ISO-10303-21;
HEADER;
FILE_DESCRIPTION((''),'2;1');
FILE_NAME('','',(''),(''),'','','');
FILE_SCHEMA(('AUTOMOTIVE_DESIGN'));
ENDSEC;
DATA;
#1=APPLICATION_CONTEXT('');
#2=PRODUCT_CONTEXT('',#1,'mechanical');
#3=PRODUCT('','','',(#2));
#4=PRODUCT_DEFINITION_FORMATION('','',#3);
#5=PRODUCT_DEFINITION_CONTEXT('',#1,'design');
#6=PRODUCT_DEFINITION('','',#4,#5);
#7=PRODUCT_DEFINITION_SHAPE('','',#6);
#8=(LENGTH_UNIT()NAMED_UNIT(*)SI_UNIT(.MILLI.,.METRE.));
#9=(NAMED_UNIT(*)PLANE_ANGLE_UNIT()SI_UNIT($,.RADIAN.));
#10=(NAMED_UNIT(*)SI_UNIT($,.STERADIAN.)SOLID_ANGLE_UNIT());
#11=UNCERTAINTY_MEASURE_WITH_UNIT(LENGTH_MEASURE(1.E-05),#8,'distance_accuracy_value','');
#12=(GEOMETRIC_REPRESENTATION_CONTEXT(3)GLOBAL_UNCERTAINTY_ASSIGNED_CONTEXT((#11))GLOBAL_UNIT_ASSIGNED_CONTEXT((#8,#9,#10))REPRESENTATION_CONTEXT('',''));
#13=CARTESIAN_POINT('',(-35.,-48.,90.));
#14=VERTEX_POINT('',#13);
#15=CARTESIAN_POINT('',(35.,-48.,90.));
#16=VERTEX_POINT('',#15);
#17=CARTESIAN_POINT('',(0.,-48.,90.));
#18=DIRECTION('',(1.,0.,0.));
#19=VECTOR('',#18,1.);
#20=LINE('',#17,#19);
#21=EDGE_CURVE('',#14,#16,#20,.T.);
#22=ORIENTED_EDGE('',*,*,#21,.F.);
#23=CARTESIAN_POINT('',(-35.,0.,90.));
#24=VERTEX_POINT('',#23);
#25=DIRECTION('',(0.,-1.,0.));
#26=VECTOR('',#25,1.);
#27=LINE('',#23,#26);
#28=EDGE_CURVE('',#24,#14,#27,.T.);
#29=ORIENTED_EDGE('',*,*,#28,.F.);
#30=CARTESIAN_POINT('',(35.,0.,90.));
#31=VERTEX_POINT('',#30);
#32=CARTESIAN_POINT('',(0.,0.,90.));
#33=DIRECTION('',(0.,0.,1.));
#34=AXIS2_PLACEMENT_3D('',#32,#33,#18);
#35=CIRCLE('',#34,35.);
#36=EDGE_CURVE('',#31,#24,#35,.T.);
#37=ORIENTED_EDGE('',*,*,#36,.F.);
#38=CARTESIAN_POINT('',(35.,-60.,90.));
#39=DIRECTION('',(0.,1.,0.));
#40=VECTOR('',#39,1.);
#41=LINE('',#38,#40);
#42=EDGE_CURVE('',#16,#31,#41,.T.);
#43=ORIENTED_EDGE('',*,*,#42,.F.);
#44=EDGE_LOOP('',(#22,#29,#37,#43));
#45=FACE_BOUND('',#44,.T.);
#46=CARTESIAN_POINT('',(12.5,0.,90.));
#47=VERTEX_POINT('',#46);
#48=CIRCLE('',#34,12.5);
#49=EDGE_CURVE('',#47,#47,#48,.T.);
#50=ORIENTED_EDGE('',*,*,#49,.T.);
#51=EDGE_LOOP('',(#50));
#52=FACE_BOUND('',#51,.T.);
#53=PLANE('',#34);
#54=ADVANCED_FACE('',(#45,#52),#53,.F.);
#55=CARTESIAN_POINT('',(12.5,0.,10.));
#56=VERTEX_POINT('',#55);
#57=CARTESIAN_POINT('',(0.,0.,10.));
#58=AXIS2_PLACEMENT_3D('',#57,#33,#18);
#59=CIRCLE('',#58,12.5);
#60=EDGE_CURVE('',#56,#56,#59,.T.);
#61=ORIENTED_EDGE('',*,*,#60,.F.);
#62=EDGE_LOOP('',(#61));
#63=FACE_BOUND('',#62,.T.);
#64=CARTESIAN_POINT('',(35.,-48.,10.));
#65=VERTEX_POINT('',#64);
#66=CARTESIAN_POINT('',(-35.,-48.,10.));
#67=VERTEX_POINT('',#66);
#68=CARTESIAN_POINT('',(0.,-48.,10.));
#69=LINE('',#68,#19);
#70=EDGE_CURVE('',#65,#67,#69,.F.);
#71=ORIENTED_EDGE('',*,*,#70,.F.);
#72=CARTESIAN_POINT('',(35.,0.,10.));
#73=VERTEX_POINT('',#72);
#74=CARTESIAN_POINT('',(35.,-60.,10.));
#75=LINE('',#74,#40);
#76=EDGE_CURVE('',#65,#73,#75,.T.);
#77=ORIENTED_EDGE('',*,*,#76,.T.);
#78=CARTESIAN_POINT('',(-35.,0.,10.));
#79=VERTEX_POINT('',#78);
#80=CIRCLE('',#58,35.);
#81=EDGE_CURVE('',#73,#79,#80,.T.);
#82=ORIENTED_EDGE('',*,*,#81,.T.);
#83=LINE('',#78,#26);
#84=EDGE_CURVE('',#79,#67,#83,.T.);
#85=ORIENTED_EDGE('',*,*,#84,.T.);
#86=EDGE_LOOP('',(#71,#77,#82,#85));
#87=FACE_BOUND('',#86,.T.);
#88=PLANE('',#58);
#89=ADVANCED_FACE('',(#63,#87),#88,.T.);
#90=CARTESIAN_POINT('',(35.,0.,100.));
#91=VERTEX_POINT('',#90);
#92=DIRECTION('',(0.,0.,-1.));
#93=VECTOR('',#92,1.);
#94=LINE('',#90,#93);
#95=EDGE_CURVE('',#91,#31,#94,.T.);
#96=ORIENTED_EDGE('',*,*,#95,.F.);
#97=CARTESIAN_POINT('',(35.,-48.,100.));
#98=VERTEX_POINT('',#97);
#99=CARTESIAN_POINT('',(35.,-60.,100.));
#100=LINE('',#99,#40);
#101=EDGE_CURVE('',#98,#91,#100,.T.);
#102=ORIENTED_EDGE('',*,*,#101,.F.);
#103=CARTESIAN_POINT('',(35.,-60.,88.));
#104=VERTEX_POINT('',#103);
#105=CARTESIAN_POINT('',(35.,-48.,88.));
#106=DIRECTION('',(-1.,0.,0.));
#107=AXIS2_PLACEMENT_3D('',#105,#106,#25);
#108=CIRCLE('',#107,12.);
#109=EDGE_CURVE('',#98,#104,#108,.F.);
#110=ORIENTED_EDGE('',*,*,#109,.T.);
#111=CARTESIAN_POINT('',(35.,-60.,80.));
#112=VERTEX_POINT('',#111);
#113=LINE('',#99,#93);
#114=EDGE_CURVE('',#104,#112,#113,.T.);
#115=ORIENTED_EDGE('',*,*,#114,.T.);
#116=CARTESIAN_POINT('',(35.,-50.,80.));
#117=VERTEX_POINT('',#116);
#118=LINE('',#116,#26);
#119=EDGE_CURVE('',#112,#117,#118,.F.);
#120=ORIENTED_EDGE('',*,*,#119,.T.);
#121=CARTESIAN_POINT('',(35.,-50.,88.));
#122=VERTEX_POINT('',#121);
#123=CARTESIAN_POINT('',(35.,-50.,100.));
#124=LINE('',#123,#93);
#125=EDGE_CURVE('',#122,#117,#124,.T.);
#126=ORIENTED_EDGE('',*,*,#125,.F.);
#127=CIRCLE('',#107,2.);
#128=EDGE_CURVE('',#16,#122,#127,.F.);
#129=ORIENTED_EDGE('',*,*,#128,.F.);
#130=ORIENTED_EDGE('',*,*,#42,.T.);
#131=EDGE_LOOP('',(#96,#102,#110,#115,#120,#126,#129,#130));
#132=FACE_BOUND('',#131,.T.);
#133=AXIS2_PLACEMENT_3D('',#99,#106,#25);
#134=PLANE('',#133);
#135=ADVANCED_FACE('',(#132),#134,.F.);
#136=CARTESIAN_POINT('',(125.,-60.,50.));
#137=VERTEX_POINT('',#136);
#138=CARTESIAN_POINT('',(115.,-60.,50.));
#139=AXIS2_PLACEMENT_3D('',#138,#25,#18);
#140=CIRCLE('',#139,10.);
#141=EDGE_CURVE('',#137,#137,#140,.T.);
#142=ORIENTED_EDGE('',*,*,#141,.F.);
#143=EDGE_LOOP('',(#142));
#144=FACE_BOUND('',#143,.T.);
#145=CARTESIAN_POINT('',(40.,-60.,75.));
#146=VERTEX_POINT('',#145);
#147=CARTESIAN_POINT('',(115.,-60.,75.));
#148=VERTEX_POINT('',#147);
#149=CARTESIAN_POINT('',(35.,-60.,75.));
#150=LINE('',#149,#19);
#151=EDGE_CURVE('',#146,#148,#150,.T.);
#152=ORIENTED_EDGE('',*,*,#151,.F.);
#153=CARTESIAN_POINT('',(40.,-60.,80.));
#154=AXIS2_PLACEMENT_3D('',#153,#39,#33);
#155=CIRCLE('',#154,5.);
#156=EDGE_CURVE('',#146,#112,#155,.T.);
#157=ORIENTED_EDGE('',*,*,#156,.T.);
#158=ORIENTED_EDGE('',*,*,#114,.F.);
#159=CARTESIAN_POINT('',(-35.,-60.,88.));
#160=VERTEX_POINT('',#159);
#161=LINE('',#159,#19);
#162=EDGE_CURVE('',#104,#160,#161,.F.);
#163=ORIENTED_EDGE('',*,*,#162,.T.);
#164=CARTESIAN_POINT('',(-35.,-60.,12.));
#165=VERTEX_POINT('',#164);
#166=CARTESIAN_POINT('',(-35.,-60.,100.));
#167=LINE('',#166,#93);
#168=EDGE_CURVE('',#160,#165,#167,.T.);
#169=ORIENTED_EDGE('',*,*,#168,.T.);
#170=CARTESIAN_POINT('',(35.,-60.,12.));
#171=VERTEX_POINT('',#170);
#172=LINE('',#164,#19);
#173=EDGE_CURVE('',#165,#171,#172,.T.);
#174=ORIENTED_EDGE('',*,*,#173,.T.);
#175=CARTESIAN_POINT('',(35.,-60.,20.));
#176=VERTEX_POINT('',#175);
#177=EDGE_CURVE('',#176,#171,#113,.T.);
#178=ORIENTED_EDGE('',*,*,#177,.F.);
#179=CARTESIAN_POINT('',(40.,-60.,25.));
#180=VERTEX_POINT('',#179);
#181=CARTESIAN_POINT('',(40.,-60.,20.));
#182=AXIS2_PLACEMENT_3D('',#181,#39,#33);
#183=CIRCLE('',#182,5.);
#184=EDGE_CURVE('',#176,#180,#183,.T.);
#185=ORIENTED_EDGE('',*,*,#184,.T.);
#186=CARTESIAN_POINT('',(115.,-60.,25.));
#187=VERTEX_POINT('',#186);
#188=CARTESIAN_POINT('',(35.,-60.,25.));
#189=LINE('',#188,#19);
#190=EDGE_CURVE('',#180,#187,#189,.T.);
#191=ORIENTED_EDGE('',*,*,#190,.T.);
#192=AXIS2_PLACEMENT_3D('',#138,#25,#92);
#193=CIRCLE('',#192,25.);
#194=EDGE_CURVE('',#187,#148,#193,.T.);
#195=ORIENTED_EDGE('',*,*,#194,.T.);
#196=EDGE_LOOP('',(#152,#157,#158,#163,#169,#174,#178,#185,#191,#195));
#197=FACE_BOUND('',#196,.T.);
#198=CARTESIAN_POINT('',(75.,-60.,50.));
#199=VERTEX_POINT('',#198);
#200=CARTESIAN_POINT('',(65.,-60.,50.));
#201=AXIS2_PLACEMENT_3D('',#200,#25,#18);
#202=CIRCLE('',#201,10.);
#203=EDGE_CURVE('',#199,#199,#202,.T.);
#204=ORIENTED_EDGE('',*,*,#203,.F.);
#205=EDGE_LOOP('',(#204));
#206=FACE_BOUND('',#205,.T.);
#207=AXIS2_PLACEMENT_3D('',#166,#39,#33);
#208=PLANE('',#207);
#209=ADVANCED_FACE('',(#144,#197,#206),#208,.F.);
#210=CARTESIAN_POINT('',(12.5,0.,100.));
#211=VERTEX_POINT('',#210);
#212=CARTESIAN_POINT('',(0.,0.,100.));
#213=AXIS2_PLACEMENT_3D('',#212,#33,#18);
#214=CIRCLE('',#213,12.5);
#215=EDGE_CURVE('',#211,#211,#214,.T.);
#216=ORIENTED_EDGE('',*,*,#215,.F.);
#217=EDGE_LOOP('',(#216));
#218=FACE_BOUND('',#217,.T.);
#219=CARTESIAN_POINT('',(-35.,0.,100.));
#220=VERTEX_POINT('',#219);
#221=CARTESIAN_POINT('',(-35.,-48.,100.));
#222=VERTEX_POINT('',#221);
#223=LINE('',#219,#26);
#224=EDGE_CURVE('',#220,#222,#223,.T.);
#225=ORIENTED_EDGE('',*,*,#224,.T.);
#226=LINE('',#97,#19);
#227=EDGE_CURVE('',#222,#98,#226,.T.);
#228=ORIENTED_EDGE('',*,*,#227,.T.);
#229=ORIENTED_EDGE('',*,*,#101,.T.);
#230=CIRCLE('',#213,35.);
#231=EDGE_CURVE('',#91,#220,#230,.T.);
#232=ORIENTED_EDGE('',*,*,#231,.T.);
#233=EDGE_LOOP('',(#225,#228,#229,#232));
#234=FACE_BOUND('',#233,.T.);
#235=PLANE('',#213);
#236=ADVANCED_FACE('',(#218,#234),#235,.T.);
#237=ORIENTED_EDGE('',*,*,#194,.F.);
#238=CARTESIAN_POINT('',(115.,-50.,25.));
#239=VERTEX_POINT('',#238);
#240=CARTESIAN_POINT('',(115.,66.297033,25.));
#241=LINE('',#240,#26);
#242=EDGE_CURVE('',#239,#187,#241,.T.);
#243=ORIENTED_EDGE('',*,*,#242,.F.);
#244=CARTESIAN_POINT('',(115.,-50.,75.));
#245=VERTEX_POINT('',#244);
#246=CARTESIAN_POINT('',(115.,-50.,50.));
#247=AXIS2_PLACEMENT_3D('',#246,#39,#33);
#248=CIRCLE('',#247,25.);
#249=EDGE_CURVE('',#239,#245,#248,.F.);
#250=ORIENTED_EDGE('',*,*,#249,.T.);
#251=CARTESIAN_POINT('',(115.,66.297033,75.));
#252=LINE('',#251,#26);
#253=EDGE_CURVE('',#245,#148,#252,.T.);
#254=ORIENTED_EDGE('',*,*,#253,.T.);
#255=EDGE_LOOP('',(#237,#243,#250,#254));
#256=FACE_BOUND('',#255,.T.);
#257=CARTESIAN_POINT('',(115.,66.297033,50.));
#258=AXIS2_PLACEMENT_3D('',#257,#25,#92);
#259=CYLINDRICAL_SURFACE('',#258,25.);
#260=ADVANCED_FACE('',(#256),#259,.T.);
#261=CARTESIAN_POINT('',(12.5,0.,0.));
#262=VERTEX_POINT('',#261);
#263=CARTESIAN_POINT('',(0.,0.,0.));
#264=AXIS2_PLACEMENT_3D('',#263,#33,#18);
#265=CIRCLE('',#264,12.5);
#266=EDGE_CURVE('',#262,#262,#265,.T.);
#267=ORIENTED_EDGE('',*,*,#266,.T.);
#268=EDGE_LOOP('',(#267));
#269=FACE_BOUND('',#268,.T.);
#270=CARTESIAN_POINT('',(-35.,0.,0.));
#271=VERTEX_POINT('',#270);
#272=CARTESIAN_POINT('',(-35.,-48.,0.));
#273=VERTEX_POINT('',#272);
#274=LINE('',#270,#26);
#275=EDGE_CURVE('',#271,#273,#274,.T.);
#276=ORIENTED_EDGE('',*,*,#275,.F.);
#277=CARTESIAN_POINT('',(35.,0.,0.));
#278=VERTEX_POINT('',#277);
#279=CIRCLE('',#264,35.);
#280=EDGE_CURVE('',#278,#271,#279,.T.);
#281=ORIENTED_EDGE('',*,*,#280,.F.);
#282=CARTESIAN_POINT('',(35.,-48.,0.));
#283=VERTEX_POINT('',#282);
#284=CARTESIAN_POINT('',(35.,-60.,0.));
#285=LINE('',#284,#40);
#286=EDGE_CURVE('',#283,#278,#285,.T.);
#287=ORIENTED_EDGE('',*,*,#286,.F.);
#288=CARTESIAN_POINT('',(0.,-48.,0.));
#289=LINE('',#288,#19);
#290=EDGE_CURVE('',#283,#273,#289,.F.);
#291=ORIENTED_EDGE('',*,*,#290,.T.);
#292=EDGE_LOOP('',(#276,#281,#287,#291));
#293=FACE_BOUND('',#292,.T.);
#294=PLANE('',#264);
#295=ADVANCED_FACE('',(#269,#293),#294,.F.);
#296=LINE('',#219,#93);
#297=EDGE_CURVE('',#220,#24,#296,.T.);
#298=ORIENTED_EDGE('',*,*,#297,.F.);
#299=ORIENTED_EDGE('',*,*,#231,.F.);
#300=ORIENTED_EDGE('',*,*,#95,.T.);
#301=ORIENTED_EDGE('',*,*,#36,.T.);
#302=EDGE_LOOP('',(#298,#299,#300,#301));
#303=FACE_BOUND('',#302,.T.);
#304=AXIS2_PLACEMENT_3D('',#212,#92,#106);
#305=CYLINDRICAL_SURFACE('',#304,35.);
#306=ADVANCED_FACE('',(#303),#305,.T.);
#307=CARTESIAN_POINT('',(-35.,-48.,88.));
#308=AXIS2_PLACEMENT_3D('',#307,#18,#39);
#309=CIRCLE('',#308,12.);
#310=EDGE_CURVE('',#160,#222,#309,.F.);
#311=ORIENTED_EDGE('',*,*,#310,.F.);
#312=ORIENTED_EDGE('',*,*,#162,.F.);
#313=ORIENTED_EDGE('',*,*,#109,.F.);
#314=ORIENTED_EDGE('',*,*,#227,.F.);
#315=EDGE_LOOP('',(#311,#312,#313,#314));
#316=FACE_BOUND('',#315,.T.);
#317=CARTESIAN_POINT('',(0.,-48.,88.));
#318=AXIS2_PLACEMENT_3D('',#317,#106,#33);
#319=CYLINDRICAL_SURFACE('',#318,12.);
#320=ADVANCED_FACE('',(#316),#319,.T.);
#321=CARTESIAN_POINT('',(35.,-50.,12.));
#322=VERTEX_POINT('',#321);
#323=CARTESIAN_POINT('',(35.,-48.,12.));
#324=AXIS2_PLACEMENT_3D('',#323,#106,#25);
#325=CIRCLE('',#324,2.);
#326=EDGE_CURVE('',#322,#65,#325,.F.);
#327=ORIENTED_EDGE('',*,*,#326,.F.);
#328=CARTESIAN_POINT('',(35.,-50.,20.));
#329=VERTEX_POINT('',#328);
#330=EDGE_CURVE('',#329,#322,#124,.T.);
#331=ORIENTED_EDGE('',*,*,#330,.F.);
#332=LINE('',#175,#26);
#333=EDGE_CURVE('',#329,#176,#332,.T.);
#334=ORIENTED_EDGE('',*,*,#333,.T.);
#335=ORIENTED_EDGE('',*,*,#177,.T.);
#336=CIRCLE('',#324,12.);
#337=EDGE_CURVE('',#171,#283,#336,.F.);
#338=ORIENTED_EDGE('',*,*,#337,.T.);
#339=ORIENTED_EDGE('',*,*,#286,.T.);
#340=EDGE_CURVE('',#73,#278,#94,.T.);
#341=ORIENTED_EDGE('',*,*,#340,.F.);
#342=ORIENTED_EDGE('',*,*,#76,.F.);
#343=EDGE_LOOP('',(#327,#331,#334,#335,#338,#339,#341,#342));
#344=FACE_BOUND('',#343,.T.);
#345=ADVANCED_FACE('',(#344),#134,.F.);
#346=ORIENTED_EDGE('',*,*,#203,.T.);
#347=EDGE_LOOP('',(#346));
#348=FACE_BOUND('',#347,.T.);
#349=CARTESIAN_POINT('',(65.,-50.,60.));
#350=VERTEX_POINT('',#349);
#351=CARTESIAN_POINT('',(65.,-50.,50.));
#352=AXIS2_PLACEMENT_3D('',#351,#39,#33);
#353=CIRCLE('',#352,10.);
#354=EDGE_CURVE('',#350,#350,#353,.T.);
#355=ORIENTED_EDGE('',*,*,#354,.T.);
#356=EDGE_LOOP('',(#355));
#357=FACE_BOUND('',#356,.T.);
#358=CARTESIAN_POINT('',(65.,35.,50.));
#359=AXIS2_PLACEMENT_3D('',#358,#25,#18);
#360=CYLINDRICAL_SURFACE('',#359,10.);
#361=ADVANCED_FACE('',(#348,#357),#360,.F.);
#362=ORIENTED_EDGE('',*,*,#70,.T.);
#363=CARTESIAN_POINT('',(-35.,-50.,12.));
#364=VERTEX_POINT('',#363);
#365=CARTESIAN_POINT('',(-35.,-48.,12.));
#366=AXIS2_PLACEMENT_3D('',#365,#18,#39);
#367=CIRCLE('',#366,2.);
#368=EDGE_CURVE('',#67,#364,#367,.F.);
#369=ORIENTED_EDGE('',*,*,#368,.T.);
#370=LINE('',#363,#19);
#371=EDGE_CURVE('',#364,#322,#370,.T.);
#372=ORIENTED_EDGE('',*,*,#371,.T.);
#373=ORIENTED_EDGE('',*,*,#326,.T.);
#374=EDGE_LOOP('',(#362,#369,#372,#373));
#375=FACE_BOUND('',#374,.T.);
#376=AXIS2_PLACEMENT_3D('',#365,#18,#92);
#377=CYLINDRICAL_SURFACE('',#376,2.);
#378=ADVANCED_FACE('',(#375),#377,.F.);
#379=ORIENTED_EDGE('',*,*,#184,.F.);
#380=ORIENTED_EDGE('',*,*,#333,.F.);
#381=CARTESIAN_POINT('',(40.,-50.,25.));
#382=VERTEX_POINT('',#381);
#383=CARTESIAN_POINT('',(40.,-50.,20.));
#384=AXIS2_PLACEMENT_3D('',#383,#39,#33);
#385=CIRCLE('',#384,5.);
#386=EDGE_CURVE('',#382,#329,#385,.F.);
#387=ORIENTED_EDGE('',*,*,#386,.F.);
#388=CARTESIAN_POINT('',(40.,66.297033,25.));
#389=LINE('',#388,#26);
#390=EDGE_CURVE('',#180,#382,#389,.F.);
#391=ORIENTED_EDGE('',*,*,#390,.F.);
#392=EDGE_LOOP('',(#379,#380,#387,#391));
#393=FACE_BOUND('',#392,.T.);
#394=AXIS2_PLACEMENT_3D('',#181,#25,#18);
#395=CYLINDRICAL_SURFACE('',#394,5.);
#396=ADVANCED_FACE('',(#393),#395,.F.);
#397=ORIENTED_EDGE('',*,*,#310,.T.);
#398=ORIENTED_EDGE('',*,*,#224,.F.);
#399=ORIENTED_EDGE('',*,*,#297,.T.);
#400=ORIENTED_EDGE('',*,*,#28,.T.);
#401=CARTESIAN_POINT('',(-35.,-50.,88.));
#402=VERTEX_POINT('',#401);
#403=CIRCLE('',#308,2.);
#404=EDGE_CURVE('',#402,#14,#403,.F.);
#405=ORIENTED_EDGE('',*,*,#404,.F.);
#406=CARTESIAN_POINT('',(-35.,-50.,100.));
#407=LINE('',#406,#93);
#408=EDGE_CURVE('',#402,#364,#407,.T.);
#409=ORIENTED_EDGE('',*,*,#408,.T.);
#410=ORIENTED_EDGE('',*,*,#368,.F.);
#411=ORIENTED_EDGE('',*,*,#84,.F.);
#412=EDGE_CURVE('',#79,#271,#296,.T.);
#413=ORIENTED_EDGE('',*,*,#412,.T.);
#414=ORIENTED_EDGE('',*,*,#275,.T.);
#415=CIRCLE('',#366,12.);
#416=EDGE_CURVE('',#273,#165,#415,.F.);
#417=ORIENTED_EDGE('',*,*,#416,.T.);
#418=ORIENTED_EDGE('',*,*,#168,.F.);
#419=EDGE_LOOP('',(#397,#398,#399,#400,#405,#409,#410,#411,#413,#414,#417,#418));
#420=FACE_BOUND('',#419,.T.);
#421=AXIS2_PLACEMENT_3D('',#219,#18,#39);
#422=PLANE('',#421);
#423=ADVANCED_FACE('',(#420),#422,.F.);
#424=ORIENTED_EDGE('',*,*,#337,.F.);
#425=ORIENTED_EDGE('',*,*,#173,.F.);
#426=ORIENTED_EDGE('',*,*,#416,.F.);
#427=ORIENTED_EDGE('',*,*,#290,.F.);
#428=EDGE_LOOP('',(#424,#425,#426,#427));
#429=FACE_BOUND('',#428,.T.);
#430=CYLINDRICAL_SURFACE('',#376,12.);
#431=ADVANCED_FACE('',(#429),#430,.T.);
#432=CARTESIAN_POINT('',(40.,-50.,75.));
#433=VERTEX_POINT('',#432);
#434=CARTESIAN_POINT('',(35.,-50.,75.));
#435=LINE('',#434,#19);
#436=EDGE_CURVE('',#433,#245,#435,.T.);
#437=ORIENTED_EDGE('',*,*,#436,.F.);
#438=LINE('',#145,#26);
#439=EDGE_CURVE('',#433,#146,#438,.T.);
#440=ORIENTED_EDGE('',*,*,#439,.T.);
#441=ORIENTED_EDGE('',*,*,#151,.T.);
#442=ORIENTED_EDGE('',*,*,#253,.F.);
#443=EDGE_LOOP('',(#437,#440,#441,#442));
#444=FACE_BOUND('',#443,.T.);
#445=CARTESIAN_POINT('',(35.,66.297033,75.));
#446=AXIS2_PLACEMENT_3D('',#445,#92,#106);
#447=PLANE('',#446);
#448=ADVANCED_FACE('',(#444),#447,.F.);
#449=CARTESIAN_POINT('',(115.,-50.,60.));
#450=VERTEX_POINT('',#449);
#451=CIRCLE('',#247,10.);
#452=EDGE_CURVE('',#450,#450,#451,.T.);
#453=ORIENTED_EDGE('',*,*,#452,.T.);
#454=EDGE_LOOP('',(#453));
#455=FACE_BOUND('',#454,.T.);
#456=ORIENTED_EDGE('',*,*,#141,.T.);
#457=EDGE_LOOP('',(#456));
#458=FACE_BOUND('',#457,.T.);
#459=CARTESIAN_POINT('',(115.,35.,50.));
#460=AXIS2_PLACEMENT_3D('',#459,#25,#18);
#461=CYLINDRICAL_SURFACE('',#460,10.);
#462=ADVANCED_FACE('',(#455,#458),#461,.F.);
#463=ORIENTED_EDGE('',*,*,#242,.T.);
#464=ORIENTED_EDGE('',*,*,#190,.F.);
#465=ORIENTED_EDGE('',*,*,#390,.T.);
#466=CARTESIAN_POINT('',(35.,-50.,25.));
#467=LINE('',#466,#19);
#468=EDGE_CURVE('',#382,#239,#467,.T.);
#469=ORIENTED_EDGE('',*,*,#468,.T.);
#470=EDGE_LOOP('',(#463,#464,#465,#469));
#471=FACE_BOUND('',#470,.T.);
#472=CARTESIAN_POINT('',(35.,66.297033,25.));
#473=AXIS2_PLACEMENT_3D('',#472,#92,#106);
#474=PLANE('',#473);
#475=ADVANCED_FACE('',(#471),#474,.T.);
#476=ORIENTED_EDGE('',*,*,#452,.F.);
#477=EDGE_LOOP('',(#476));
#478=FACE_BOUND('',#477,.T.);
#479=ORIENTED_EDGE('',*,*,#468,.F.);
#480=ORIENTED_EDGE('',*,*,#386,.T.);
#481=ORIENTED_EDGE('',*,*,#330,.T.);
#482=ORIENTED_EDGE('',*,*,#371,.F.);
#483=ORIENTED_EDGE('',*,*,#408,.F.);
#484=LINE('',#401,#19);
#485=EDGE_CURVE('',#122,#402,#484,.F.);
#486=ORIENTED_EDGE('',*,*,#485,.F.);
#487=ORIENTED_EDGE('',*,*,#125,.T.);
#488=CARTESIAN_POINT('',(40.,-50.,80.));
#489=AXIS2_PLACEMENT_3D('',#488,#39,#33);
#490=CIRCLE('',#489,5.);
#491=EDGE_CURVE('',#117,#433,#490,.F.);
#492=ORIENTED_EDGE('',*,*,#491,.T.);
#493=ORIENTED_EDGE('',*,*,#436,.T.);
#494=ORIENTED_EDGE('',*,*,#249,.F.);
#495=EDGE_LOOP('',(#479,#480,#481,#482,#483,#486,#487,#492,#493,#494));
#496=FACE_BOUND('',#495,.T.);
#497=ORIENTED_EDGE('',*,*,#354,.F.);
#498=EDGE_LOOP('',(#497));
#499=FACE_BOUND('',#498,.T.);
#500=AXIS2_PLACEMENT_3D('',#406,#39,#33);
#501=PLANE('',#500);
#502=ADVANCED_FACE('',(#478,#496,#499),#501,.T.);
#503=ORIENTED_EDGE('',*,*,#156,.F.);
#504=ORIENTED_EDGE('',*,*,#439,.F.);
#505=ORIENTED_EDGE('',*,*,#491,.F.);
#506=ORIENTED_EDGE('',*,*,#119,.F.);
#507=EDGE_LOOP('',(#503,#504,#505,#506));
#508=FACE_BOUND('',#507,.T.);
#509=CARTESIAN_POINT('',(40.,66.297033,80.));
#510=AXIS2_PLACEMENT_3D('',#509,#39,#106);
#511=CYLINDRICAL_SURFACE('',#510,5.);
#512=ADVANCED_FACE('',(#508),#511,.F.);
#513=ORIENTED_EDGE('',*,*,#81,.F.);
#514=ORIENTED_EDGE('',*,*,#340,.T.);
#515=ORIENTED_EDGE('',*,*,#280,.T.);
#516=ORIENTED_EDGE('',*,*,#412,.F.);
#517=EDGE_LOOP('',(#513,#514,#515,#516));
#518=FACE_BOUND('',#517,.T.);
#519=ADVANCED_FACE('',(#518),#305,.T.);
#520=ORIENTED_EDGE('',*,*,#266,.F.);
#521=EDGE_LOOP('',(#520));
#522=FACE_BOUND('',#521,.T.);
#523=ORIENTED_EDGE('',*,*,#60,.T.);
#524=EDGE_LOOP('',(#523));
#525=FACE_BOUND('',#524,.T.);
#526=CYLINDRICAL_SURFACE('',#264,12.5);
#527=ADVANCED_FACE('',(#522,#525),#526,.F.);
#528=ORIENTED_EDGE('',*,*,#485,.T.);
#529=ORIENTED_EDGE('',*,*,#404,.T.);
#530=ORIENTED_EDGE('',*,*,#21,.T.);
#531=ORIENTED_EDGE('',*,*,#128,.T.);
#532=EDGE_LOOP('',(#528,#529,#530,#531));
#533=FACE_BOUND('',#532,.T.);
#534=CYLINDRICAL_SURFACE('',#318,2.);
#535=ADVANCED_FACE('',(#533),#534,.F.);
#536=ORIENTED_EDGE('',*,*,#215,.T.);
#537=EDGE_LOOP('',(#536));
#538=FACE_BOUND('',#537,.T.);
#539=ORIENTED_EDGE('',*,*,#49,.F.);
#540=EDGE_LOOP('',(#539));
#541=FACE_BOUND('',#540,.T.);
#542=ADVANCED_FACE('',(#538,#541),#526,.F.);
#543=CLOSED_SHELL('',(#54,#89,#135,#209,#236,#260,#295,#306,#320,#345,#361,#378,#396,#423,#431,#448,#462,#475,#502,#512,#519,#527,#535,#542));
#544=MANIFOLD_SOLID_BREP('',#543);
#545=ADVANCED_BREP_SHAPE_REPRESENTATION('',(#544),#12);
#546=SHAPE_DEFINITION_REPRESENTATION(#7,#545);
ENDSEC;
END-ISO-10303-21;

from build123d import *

# Parameters (mm, degrees)
U_SHAPE_DEPTH        = 100
FILLET_2_R           = 12
THICKNESS_T          = -10
SKETCH8_R            = 12.5
INNER_HOLE_DEPTH     = 122.757956619
TONGUE_DEPTH         = 10
SKETCH9_R            = 10
MOUNTING_HOLES_DEPTH = 197.53244007
FILLET1_R            = 5


with BuildPart() as part:
    # Sketch4 → "U" shape (new body)
    with BuildSketch(Plane.XY):
        with BuildLine():
            Line((-35, 0), (-35, -60))
            Line((-35, -60), (35, -60))
            Line((35, -60), (35, 0))
            ThreePointArc((35, 0), (0, 35), (-35, 0))
        make_face()
    extrude(amount=U_SHAPE_DEPTH)

    # Fillet 2
    fillet_2_edges = [part.edges().sort_by_distance(p)[0] for p in [
        (0, -60, 100),
        (0, -60, 0),
    ]]
    fillet(fillet_2_edges, radius=FILLET_2_R)

    # Thickness
    thickness_openings = [part.faces().sort_by_distance(p)[0] for p in [
        (35, -29.715655007, 50),
        (-35, -29.715655007, 50),
        (0, 35, 50),
    ]]
    offset(amount=THICKNESS_T, openings=thickness_openings, kind=Kind.INTERSECTION)

    # Sketch8 → Inner Hole (cut, through all)
    with BuildSketch(Plane.XY.offset(100)):
        Circle(SKETCH8_R)
    extrude(amount=-INNER_HOLE_DEPTH, mode=Mode.SUBTRACT)

    # Sketch7 → Tongue (add)
    with BuildSketch(Plane.XZ.offset(60)):
        with BuildLine():
            Line((35, 25), (115, 25))
            ThreePointArc((115, 25), (140, 50), (115, 75))
            Line((115, 75), (35, 75))
            Line((35, 75), (35, 25))
        make_face()
    extrude(amount=-TONGUE_DEPTH)

    # Sketch9 → Mounting Holes (cut, through all)
    with BuildSketch(Plane.XZ.offset(60)):
        with Locations((65, 50)):
            Circle(SKETCH9_R)
        with Locations((115, 50)):
            Circle(SKETCH9_R)
    extrude(amount=-MOUNTING_HOLES_DEPTH, mode=Mode.SUBTRACT)

    # Fillet1
    fillet1_edges = [part.edges().sort_by_distance(p)[0] for p in [
        (35, -55, 75),
        (35, -55, 25),
    ]]
    fillet(fillet1_edges, radius=FILLET1_R)


solid = part.part
